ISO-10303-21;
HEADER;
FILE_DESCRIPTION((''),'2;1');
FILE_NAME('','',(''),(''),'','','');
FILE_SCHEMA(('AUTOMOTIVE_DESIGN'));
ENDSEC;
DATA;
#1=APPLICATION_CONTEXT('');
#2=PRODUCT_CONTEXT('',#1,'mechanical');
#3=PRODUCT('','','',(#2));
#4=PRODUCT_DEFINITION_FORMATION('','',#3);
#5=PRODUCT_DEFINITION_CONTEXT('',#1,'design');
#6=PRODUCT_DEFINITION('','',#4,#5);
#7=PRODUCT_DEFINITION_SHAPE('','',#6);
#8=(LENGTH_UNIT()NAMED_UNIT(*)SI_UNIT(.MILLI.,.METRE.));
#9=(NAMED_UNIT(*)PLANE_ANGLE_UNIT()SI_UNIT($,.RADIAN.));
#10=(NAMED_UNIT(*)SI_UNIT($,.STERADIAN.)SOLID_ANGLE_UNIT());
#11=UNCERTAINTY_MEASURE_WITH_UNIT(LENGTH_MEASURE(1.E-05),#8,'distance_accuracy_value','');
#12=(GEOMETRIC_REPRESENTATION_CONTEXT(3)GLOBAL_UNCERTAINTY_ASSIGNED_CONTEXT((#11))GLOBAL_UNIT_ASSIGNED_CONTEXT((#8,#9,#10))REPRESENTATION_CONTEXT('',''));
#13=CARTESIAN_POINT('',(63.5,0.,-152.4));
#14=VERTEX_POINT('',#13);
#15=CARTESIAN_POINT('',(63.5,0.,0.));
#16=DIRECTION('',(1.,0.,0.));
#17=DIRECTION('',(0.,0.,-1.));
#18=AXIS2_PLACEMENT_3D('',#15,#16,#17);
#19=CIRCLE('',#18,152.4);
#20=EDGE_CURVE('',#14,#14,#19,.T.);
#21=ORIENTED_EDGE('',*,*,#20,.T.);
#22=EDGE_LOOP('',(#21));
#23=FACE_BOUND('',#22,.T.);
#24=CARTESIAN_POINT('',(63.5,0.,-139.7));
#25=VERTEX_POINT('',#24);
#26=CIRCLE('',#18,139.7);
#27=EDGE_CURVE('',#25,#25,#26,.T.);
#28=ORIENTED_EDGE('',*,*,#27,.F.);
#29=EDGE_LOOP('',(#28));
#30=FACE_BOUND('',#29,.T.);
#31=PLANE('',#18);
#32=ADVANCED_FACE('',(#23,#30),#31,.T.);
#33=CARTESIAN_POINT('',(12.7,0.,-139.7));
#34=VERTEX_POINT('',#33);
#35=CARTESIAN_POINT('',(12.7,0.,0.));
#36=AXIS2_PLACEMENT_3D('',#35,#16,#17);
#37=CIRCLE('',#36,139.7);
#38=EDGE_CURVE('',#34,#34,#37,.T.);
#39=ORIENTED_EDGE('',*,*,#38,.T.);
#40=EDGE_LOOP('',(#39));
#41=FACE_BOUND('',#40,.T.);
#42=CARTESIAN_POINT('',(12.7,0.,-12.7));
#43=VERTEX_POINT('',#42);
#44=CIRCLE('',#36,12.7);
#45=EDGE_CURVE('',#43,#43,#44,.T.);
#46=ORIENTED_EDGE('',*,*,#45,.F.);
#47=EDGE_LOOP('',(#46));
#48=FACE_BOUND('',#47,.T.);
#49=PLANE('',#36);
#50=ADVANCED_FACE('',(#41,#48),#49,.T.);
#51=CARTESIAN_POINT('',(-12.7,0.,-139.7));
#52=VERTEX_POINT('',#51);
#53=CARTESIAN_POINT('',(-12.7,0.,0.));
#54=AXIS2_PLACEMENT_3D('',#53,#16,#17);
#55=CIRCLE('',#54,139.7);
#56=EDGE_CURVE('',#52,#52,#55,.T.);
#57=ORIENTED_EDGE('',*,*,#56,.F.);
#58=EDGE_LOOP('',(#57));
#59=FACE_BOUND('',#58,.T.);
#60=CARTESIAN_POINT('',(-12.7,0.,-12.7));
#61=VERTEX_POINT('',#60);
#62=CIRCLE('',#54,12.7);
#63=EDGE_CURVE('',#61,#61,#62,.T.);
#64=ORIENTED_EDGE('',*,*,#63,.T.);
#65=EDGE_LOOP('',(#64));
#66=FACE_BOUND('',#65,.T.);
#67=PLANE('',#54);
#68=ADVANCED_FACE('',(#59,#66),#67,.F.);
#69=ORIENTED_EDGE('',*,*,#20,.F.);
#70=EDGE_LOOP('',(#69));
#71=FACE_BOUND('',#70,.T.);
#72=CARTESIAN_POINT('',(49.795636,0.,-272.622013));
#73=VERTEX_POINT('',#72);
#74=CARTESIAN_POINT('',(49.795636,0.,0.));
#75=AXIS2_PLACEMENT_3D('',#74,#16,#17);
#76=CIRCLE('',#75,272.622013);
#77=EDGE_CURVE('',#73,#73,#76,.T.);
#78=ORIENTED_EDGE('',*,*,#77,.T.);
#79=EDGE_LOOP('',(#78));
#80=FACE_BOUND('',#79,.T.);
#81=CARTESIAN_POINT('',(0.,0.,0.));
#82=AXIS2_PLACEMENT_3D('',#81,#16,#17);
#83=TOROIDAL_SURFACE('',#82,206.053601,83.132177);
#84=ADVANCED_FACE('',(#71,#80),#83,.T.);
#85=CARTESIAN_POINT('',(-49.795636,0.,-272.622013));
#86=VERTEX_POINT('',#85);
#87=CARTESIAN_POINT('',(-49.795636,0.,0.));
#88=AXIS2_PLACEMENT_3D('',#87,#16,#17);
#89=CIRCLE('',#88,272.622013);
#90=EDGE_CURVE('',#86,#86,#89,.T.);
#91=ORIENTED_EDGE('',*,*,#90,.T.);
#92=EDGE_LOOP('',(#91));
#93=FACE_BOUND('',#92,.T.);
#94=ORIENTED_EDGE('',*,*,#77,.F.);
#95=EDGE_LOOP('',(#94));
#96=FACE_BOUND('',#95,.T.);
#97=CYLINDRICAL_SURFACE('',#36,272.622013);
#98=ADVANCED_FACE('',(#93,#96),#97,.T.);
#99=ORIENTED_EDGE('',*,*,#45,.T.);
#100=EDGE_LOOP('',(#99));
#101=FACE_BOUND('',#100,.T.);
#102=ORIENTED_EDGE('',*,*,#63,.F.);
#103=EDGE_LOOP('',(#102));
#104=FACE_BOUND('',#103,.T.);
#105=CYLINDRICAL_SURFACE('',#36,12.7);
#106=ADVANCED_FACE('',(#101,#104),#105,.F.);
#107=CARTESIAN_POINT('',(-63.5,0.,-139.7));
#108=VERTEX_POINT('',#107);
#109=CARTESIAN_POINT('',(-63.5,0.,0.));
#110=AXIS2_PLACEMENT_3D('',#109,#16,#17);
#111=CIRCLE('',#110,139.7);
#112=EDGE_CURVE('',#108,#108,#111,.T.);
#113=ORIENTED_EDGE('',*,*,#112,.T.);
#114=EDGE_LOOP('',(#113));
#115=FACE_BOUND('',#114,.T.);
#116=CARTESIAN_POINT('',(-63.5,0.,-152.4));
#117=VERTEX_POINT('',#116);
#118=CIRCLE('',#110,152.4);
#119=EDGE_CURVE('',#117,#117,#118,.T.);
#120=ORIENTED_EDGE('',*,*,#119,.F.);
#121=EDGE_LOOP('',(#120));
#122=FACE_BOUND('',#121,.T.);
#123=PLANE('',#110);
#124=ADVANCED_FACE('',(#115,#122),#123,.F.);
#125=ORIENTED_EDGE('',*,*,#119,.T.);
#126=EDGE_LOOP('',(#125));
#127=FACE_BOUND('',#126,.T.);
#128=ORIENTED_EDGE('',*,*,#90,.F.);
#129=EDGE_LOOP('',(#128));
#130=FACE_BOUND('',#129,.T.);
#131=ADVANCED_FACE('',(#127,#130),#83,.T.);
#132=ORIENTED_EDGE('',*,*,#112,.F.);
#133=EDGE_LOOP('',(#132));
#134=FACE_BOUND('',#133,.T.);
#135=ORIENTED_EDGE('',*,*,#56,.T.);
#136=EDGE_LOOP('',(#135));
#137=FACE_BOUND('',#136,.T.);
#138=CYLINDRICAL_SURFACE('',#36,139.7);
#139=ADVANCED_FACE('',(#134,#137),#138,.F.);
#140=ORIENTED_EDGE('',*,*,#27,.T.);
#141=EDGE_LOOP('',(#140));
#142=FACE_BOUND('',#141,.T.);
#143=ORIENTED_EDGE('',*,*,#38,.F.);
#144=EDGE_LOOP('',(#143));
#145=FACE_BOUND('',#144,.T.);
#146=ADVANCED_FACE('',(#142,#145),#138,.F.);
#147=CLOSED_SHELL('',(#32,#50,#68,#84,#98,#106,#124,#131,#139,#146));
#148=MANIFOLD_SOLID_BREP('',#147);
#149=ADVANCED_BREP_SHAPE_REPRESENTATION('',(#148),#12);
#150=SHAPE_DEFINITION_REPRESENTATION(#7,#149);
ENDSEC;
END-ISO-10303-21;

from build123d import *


with BuildPart() as part:
    # Sketch3 → Revolve1 (revolve)
    with BuildSketch(Plane.XY, mode=Mode.PRIVATE) as revolve1_sk:
        Polygon((63.5, 139.7), (63.5, 152.4), (-63.5, 152.4), (-63.5, 139.7), (-12.7, 139.7), (-12.7, 12.7), (12.7, 12.7), (12.7, 139.7), align=None)
        with BuildLine():
            Line((-63.5, 152.4), (63.5, 152.4))
            ThreePointArc((63.5, 152.4), (82.597266275, 215.469039665), (49.79563591, 272.622013244))
            Line((49.79563591, 272.622013244), (-49.79563591, 272.622013244))
            ThreePointArc((-49.79563591, 272.622013244), (-82.597266275, 215.469039665), (-63.5, 152.4))
        make_face()
    revolve(revolve1_sk.sketch.rotate(Axis((12.7, 0, 0), (-1, 0, 0)), 90), axis=Axis((12.7, 0, 0), (-1, 0, 0)))


solid = part.part
